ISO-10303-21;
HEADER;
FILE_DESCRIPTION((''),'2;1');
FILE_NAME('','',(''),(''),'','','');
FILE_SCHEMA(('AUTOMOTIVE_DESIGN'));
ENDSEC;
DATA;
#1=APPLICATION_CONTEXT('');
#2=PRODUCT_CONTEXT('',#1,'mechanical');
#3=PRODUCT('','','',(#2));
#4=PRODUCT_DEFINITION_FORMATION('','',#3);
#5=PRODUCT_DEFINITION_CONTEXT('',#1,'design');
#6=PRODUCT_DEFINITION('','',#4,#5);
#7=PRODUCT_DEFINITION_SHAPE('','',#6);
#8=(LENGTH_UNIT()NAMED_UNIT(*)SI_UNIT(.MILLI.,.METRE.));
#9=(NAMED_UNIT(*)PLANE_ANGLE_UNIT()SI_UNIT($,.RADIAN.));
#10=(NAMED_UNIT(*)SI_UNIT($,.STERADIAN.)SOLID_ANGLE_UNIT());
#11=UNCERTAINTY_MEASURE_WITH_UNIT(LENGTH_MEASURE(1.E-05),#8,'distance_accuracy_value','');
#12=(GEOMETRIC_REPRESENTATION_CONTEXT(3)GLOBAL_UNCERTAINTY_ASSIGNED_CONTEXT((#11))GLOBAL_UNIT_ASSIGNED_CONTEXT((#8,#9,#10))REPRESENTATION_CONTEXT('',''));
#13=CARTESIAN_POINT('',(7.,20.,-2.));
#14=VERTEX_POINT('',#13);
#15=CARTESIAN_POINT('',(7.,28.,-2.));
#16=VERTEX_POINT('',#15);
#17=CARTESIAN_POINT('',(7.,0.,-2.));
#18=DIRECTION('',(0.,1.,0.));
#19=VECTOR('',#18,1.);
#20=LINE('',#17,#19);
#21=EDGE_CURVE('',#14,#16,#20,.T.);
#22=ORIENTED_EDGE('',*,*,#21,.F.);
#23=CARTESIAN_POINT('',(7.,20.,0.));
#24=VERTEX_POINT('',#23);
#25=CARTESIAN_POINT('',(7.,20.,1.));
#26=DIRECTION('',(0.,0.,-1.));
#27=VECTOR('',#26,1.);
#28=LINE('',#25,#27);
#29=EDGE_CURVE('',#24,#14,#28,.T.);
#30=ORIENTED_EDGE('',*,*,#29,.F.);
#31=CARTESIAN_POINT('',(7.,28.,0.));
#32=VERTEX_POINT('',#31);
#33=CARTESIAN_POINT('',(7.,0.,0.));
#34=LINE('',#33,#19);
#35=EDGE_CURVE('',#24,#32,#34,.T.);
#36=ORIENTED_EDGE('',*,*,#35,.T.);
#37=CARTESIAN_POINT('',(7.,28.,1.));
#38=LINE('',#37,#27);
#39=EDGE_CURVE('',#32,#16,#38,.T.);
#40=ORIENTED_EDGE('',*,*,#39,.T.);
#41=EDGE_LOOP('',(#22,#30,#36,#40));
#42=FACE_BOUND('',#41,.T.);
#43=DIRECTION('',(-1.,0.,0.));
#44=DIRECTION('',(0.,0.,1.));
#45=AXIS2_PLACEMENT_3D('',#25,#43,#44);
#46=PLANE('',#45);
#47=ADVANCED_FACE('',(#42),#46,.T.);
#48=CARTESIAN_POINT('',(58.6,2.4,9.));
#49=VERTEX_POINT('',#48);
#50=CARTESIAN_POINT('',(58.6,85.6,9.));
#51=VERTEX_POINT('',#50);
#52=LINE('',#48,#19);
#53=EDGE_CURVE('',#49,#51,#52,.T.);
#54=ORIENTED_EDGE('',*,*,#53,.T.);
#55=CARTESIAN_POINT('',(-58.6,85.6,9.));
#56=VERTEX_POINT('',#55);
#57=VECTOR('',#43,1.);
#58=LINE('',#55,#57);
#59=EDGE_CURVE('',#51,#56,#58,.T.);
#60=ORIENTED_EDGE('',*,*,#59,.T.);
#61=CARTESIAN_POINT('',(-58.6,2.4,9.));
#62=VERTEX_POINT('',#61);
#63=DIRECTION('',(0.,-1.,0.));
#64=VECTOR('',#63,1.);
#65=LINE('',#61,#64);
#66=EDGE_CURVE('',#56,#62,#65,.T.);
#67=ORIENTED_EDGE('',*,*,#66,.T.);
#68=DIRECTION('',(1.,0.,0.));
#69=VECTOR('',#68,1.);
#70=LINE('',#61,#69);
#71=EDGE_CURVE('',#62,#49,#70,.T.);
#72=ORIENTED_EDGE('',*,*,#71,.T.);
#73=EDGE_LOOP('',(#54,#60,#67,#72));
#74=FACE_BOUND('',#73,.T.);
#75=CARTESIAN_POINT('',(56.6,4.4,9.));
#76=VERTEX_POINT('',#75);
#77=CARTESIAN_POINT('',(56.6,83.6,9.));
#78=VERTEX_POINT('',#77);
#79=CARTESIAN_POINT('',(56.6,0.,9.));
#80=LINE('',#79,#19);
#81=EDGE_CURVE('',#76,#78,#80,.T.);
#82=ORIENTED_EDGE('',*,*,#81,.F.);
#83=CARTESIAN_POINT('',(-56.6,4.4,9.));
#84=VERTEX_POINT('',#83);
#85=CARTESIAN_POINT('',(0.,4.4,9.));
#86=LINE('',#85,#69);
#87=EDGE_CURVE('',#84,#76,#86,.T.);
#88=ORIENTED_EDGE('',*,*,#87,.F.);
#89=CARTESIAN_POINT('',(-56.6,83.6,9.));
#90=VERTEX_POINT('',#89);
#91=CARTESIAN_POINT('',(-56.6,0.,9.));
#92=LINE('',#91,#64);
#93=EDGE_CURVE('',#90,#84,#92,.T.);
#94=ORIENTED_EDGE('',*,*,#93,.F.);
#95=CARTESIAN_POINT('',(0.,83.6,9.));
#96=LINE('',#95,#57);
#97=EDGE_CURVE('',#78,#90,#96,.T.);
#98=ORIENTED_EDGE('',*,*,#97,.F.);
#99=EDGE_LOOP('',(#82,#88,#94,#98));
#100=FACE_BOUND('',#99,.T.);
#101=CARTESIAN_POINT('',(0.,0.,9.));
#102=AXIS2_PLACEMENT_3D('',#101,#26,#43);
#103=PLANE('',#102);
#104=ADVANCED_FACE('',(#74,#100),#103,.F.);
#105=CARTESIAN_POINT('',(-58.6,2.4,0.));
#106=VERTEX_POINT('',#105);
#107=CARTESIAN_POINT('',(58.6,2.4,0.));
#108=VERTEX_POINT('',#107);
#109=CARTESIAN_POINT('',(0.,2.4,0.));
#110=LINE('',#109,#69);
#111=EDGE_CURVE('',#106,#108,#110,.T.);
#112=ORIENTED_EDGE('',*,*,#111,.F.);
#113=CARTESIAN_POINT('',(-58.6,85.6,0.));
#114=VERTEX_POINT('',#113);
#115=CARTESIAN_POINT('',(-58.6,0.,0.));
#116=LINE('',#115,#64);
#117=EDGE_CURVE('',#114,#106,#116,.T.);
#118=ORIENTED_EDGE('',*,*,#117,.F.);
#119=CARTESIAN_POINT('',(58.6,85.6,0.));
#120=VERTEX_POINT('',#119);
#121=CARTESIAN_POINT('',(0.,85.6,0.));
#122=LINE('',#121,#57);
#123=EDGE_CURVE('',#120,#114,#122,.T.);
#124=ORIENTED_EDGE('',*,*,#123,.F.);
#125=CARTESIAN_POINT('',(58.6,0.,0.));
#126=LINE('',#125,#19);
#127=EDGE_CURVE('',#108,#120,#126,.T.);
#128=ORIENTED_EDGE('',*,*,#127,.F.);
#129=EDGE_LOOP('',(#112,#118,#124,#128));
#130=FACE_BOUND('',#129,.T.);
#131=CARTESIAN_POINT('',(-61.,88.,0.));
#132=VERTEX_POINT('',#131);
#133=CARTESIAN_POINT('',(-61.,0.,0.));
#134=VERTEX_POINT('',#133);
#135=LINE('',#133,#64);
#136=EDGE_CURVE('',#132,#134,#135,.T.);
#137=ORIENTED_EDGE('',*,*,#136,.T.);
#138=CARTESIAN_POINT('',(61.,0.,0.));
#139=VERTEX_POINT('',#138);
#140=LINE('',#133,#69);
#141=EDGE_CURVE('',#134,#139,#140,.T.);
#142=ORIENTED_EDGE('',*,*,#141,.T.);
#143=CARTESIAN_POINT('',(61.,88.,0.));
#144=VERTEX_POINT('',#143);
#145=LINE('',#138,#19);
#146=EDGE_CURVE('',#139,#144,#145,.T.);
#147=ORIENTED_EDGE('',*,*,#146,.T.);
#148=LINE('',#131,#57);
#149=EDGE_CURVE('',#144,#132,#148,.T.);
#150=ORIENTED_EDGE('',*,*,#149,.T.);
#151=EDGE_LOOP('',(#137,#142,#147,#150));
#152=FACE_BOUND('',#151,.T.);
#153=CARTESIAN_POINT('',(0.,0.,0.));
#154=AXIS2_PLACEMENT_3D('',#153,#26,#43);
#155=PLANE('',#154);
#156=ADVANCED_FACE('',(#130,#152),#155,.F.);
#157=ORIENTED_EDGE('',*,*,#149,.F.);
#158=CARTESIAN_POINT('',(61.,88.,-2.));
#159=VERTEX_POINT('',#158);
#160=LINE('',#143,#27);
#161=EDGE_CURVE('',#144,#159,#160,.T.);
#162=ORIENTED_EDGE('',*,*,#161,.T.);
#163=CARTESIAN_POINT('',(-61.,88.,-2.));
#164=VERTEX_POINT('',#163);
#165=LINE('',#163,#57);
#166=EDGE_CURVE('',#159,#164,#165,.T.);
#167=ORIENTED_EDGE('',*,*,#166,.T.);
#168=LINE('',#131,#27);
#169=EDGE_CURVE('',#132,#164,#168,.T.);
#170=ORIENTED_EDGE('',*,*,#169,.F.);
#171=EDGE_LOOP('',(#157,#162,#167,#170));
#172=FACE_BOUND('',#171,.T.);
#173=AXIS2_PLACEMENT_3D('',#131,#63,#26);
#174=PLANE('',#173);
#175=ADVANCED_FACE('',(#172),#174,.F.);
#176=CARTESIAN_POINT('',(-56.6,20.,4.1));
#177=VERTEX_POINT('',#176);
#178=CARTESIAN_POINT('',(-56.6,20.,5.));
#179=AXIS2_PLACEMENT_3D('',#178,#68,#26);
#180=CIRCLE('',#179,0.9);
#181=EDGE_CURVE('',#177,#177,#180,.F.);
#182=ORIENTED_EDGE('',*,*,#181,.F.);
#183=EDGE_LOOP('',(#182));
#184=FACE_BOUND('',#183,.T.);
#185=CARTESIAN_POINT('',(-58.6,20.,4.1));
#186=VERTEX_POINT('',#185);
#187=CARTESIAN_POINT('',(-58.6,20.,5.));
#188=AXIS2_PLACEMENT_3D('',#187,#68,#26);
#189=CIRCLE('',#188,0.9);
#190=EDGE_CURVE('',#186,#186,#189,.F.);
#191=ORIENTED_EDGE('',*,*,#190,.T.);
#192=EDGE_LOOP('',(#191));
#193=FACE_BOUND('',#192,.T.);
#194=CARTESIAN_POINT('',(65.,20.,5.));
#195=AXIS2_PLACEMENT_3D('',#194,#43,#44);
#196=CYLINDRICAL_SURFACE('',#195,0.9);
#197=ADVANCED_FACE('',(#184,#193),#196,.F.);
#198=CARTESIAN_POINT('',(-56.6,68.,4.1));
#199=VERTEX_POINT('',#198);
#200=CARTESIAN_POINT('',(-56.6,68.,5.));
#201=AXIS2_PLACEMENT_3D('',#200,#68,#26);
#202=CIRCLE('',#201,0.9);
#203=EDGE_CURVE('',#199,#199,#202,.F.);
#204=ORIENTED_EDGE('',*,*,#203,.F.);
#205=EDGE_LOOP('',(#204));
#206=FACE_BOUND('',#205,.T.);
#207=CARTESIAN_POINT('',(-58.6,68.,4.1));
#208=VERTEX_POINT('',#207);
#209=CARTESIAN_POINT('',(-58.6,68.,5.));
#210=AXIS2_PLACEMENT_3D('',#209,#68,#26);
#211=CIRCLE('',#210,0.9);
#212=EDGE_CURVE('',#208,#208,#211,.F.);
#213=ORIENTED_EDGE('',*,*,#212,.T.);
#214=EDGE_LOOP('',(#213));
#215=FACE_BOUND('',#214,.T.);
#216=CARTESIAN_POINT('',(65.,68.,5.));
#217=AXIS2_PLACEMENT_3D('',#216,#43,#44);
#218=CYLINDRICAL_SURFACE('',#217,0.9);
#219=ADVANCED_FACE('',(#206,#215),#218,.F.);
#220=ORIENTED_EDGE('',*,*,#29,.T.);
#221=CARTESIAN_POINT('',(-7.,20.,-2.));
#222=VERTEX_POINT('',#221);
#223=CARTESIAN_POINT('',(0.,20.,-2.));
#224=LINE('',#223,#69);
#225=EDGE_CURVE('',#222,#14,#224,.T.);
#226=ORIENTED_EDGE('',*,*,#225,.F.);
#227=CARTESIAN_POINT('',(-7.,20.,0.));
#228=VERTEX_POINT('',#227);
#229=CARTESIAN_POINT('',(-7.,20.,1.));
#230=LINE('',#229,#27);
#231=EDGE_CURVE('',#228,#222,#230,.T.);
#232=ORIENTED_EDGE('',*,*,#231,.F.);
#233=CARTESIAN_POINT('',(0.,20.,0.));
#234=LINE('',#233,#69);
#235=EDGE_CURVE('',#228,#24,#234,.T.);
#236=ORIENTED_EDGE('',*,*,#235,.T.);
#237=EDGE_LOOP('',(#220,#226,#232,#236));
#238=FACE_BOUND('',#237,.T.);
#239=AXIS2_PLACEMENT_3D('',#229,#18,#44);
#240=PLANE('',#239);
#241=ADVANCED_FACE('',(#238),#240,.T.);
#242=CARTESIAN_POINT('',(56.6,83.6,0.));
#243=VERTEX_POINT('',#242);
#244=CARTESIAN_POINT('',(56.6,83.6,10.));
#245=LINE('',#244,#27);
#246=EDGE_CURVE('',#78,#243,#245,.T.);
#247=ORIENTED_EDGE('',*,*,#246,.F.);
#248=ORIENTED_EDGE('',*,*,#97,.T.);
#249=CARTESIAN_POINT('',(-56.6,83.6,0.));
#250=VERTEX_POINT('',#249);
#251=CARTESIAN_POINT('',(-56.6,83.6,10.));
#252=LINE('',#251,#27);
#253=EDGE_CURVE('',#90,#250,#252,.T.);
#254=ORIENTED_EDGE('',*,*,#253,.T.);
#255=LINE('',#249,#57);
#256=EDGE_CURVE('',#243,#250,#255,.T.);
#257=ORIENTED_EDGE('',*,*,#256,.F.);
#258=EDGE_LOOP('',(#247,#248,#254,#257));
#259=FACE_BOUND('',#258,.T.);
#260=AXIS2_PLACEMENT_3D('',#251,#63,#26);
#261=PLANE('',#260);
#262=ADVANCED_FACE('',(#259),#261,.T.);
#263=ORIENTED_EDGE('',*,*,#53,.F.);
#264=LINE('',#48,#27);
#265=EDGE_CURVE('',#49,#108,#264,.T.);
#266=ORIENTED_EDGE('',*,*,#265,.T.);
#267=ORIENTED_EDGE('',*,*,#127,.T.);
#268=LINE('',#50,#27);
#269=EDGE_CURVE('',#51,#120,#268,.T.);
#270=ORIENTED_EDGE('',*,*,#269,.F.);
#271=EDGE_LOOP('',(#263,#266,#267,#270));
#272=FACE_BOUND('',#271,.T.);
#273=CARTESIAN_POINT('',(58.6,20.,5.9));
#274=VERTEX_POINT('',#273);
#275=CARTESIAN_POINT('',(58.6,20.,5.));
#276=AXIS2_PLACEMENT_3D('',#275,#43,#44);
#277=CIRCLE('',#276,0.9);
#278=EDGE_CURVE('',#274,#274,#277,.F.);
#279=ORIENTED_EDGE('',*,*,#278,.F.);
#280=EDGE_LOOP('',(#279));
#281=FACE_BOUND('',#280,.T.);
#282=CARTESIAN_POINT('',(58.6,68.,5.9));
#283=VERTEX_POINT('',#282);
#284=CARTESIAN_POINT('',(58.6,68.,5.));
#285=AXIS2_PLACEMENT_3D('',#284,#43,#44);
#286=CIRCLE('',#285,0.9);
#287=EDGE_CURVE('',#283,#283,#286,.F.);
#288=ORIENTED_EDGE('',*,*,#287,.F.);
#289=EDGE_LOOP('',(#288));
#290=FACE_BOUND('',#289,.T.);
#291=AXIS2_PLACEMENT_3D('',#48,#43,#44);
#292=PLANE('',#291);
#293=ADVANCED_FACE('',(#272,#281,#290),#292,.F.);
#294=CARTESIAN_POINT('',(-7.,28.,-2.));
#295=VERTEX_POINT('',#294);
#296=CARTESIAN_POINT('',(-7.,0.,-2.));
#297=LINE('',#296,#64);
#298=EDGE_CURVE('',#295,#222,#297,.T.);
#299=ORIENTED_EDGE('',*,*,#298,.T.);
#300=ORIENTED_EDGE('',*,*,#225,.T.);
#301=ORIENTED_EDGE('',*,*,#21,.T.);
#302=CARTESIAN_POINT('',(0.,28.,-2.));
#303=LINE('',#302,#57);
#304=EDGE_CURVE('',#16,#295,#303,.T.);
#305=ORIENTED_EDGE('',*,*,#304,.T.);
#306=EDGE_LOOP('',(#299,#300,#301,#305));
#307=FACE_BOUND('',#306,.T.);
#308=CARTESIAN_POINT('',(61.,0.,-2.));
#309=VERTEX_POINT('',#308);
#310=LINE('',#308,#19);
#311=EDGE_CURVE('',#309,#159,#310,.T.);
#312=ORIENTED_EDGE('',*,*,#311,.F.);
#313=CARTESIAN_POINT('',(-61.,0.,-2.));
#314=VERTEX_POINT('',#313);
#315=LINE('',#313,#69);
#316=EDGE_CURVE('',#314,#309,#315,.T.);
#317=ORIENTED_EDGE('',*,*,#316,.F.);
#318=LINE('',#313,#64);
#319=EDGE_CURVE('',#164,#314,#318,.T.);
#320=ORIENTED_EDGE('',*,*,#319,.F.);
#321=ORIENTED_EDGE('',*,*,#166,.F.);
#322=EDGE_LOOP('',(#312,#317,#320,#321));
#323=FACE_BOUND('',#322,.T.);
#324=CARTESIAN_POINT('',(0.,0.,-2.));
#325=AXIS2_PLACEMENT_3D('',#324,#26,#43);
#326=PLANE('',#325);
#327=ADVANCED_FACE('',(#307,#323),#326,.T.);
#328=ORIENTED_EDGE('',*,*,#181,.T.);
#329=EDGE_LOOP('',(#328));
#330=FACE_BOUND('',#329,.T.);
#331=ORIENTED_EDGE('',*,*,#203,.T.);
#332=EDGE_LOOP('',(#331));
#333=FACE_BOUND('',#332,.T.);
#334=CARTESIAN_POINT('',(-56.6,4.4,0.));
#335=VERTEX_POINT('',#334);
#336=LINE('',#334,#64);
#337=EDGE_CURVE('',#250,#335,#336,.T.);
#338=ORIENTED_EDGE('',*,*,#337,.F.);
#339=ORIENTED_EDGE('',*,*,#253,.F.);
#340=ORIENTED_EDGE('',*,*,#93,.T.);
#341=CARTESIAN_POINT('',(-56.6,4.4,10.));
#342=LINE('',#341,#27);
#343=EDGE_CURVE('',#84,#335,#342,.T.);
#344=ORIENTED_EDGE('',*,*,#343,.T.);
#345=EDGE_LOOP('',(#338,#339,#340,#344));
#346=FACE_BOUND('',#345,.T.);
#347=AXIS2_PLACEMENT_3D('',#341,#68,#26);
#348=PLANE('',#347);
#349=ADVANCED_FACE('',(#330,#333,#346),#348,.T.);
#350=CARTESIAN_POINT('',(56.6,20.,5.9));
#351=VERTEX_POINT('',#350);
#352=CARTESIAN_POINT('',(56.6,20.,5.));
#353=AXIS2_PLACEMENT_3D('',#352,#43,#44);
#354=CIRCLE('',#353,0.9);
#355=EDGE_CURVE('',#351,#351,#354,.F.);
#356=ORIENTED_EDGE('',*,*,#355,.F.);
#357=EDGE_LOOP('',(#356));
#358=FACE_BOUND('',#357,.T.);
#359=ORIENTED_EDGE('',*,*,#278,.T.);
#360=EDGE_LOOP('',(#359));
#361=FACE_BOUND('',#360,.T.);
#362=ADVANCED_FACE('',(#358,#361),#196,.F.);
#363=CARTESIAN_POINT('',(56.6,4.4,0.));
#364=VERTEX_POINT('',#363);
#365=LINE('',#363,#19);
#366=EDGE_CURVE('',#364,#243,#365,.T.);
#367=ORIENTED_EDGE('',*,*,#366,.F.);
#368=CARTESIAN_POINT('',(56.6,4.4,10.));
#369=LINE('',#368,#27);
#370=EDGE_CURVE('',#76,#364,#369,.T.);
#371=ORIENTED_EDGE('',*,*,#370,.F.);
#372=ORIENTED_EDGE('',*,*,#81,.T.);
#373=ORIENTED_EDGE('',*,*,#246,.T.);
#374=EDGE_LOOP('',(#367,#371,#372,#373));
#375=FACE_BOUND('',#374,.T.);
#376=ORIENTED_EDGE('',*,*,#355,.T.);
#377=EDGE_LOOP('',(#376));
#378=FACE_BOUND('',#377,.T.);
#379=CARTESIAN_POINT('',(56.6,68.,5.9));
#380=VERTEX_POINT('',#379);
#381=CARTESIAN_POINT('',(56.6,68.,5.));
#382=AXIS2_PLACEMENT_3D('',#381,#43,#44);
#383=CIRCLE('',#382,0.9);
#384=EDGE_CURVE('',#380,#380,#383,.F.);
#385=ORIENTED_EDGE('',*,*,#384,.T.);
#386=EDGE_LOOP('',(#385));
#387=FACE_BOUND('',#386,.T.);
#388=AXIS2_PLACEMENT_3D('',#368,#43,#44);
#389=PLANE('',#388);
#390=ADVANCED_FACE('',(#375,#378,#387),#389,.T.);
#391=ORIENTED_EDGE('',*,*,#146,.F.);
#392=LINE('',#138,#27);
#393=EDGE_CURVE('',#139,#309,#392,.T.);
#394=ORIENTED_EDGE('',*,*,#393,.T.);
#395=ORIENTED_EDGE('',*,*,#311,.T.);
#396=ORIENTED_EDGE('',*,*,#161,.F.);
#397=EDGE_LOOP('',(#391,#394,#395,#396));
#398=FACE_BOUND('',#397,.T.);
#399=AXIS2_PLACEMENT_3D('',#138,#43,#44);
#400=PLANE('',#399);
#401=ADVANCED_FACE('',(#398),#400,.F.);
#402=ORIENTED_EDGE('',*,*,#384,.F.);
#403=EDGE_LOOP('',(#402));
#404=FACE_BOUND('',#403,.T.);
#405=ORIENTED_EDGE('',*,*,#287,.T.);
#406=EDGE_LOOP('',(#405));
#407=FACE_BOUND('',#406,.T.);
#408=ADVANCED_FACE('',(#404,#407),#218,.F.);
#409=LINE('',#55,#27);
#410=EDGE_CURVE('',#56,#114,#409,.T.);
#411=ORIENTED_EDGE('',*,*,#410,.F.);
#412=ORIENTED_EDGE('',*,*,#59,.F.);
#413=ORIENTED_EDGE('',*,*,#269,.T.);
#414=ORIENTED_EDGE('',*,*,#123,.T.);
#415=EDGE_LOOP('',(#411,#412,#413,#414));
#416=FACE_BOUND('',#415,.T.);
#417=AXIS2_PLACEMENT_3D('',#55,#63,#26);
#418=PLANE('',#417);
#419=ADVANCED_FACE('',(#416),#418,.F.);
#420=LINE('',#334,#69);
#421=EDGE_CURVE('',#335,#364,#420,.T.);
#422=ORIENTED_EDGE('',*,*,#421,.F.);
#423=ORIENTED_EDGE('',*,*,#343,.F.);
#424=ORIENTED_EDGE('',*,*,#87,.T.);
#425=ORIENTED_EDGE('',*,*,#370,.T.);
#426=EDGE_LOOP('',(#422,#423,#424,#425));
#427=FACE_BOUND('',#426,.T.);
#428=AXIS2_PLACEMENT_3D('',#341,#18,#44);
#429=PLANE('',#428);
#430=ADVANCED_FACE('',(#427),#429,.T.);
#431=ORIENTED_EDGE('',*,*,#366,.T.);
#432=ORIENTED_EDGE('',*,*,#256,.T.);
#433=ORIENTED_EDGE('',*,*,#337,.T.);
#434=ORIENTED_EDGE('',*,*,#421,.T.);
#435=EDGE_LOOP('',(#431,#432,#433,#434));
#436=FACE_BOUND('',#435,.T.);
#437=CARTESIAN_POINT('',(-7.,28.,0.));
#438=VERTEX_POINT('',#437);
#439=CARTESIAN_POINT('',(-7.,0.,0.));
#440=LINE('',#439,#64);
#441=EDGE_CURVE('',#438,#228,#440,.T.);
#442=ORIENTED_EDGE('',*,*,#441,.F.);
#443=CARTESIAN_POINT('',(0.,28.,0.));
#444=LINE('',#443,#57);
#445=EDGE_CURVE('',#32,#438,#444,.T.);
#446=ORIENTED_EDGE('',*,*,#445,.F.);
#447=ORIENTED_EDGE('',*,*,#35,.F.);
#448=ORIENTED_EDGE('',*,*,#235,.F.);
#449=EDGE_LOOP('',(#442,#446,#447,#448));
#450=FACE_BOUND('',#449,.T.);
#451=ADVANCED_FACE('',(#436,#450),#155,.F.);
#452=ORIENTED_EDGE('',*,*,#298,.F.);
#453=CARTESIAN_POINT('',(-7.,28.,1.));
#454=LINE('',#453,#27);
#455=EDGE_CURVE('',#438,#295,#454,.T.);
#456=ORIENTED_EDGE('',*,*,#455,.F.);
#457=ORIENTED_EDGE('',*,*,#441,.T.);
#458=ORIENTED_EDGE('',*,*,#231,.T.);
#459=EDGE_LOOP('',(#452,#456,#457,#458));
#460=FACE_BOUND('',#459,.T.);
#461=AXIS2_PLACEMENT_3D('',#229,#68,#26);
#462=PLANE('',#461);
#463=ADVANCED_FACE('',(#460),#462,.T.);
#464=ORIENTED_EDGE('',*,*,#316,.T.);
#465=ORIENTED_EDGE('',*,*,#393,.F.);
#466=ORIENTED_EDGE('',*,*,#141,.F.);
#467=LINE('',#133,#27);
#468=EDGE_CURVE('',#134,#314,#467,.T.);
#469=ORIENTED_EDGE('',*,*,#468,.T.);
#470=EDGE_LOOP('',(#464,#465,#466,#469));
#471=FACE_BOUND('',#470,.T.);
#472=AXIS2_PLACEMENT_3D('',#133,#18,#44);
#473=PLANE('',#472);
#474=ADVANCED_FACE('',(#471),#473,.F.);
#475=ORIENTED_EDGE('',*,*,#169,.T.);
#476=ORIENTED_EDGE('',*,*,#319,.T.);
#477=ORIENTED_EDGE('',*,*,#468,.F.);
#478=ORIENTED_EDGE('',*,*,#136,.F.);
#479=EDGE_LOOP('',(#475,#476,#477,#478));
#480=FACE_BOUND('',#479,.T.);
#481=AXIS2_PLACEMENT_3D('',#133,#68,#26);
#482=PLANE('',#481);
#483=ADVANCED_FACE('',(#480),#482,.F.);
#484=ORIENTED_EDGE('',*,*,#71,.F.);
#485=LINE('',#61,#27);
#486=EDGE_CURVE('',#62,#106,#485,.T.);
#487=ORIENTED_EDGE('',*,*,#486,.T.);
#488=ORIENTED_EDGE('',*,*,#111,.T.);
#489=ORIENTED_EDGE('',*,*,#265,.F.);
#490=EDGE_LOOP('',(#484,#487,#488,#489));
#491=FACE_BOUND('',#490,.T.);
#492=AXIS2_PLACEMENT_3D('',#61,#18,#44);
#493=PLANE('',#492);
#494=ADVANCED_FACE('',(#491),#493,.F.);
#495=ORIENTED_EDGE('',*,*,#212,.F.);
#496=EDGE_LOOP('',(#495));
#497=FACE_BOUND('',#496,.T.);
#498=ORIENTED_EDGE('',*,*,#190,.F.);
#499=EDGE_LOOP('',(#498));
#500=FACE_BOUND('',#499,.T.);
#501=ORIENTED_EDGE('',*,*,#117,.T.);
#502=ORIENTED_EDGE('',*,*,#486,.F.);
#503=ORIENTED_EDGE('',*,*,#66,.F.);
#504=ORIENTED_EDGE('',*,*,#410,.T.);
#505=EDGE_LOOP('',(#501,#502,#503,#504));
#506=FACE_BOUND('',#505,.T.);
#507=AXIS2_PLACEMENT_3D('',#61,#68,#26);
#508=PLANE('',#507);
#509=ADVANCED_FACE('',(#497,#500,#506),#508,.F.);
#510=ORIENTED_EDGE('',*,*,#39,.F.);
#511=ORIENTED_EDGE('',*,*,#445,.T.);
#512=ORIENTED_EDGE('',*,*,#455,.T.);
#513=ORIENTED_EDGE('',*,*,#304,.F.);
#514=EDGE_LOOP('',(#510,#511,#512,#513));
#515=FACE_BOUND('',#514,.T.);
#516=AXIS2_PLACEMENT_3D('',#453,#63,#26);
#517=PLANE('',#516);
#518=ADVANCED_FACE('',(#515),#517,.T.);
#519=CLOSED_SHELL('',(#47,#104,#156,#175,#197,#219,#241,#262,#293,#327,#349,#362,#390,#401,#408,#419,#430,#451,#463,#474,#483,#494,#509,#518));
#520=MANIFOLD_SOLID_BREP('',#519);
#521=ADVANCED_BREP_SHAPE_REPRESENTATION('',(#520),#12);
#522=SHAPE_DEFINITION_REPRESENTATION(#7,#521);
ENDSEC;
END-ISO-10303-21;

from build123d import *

# Parameters (mm, degrees)
BOSS_EXTRUDE1_START = -2
SKETCH1_W           = 122
SKETCH1_H           = 88
BOSS_EXTRUDE1_DEPTH = 2
BOSS_EXTRUDE2_START = -0.5
SKETCH2_W           = 117.2
SKETCH2_H           = 83.2
BOSS_EXTRUDE2_DEPTH = 9.5
SKETCH3_W           = 113.2
SKETCH3_H           = 79.2
BOSS_EXTRUDE3_DEPTH = 10
BOSS_EXTRUDE4_START = -3
SKETCH4_W           = 14
SKETCH4_H           = 8
BOSS_EXTRUDE4_DEPTH = 4
BOSS_EXTRUDE5_START = -65
SKETCH5_R           = 0.9
BOSS_EXTRUDE5_DEPTH = 130
BOSS_EXTRUDE6_START = -65
SKETCH6_R           = 0.9
BOSS_EXTRUDE6_DEPTH = 130


with BuildPart() as part:
    # Sketch1 → Boss-Extrude1 (new body)
    with BuildSketch(Plane.XY.offset(BOSS_EXTRUDE1_START)):
        with Locations((0, 44)):
            Rectangle(SKETCH1_W, SKETCH1_H)
    extrude(amount=BOSS_EXTRUDE1_DEPTH)

    # Sketch2 → Boss-Extrude2 (add)
    with BuildSketch(Plane.XY.offset(BOSS_EXTRUDE2_START)):
        with Locations((0, 44)):
            Rectangle(SKETCH2_W, SKETCH2_H)
    extrude(amount=BOSS_EXTRUDE2_DEPTH)


with BuildPart() as body_2:
    # Sketch3 → Boss-Extrude3 (new body)
    with BuildSketch(Plane.XY):
        with Locations((0, 44)):
            Rectangle(SKETCH3_W, SKETCH3_H)
    extrude(amount=BOSS_EXTRUDE3_DEPTH)


with BuildPart() as part_1:
    add(part.part)

    # Combine1: cut body 2
    add(body_2.part, mode=Mode.SUBTRACT)


with BuildPart() as body_2_2:
    # Sketch4 → Boss-Extrude4 (new body)
    with BuildSketch(Plane.XY.offset(BOSS_EXTRUDE4_START)):
        with Locations((0, 24)):
            Rectangle(SKETCH4_W, SKETCH4_H)
    extrude(amount=BOSS_EXTRUDE4_DEPTH)


with BuildPart() as part_2:
    add(part_1.part)

    # Combine2: cut body 2 2
    add(body_2_2.part, mode=Mode.SUBTRACT)


with BuildPart() as body_2_3:
    # Sketch5 → Boss-Extrude5 (new body)
    with BuildSketch(Plane(origin=(0, 0, 0), x_dir=(0, 0, -1), z_dir=(1, 0, 0)).offset(BOSS_EXTRUDE5_START)):
        with Locations((-5, 20)):
            Circle(SKETCH5_R)
    extrude(amount=BOSS_EXTRUDE5_DEPTH)


with BuildPart() as part_3:
    add(part_2.part)

    # Combine3: cut body 2 3
    add(body_2_3.part, mode=Mode.SUBTRACT)


with BuildPart() as body_2_4:
    # Sketch6 → Boss-Extrude6 (new body)
    with BuildSketch(Plane(origin=(0, 0, 0), x_dir=(0, 0, -1), z_dir=(1, 0, 0)).offset(BOSS_EXTRUDE6_START)):
        with Locations((-5, 68)):
            Circle(SKETCH6_R)
    extrude(amount=BOSS_EXTRUDE6_DEPTH)


with BuildPart() as part_4:
    add(part_3.part)

    # Combine4: cut body 2 4
    add(body_2_4.part, mode=Mode.SUBTRACT)


solid = part_4.part
